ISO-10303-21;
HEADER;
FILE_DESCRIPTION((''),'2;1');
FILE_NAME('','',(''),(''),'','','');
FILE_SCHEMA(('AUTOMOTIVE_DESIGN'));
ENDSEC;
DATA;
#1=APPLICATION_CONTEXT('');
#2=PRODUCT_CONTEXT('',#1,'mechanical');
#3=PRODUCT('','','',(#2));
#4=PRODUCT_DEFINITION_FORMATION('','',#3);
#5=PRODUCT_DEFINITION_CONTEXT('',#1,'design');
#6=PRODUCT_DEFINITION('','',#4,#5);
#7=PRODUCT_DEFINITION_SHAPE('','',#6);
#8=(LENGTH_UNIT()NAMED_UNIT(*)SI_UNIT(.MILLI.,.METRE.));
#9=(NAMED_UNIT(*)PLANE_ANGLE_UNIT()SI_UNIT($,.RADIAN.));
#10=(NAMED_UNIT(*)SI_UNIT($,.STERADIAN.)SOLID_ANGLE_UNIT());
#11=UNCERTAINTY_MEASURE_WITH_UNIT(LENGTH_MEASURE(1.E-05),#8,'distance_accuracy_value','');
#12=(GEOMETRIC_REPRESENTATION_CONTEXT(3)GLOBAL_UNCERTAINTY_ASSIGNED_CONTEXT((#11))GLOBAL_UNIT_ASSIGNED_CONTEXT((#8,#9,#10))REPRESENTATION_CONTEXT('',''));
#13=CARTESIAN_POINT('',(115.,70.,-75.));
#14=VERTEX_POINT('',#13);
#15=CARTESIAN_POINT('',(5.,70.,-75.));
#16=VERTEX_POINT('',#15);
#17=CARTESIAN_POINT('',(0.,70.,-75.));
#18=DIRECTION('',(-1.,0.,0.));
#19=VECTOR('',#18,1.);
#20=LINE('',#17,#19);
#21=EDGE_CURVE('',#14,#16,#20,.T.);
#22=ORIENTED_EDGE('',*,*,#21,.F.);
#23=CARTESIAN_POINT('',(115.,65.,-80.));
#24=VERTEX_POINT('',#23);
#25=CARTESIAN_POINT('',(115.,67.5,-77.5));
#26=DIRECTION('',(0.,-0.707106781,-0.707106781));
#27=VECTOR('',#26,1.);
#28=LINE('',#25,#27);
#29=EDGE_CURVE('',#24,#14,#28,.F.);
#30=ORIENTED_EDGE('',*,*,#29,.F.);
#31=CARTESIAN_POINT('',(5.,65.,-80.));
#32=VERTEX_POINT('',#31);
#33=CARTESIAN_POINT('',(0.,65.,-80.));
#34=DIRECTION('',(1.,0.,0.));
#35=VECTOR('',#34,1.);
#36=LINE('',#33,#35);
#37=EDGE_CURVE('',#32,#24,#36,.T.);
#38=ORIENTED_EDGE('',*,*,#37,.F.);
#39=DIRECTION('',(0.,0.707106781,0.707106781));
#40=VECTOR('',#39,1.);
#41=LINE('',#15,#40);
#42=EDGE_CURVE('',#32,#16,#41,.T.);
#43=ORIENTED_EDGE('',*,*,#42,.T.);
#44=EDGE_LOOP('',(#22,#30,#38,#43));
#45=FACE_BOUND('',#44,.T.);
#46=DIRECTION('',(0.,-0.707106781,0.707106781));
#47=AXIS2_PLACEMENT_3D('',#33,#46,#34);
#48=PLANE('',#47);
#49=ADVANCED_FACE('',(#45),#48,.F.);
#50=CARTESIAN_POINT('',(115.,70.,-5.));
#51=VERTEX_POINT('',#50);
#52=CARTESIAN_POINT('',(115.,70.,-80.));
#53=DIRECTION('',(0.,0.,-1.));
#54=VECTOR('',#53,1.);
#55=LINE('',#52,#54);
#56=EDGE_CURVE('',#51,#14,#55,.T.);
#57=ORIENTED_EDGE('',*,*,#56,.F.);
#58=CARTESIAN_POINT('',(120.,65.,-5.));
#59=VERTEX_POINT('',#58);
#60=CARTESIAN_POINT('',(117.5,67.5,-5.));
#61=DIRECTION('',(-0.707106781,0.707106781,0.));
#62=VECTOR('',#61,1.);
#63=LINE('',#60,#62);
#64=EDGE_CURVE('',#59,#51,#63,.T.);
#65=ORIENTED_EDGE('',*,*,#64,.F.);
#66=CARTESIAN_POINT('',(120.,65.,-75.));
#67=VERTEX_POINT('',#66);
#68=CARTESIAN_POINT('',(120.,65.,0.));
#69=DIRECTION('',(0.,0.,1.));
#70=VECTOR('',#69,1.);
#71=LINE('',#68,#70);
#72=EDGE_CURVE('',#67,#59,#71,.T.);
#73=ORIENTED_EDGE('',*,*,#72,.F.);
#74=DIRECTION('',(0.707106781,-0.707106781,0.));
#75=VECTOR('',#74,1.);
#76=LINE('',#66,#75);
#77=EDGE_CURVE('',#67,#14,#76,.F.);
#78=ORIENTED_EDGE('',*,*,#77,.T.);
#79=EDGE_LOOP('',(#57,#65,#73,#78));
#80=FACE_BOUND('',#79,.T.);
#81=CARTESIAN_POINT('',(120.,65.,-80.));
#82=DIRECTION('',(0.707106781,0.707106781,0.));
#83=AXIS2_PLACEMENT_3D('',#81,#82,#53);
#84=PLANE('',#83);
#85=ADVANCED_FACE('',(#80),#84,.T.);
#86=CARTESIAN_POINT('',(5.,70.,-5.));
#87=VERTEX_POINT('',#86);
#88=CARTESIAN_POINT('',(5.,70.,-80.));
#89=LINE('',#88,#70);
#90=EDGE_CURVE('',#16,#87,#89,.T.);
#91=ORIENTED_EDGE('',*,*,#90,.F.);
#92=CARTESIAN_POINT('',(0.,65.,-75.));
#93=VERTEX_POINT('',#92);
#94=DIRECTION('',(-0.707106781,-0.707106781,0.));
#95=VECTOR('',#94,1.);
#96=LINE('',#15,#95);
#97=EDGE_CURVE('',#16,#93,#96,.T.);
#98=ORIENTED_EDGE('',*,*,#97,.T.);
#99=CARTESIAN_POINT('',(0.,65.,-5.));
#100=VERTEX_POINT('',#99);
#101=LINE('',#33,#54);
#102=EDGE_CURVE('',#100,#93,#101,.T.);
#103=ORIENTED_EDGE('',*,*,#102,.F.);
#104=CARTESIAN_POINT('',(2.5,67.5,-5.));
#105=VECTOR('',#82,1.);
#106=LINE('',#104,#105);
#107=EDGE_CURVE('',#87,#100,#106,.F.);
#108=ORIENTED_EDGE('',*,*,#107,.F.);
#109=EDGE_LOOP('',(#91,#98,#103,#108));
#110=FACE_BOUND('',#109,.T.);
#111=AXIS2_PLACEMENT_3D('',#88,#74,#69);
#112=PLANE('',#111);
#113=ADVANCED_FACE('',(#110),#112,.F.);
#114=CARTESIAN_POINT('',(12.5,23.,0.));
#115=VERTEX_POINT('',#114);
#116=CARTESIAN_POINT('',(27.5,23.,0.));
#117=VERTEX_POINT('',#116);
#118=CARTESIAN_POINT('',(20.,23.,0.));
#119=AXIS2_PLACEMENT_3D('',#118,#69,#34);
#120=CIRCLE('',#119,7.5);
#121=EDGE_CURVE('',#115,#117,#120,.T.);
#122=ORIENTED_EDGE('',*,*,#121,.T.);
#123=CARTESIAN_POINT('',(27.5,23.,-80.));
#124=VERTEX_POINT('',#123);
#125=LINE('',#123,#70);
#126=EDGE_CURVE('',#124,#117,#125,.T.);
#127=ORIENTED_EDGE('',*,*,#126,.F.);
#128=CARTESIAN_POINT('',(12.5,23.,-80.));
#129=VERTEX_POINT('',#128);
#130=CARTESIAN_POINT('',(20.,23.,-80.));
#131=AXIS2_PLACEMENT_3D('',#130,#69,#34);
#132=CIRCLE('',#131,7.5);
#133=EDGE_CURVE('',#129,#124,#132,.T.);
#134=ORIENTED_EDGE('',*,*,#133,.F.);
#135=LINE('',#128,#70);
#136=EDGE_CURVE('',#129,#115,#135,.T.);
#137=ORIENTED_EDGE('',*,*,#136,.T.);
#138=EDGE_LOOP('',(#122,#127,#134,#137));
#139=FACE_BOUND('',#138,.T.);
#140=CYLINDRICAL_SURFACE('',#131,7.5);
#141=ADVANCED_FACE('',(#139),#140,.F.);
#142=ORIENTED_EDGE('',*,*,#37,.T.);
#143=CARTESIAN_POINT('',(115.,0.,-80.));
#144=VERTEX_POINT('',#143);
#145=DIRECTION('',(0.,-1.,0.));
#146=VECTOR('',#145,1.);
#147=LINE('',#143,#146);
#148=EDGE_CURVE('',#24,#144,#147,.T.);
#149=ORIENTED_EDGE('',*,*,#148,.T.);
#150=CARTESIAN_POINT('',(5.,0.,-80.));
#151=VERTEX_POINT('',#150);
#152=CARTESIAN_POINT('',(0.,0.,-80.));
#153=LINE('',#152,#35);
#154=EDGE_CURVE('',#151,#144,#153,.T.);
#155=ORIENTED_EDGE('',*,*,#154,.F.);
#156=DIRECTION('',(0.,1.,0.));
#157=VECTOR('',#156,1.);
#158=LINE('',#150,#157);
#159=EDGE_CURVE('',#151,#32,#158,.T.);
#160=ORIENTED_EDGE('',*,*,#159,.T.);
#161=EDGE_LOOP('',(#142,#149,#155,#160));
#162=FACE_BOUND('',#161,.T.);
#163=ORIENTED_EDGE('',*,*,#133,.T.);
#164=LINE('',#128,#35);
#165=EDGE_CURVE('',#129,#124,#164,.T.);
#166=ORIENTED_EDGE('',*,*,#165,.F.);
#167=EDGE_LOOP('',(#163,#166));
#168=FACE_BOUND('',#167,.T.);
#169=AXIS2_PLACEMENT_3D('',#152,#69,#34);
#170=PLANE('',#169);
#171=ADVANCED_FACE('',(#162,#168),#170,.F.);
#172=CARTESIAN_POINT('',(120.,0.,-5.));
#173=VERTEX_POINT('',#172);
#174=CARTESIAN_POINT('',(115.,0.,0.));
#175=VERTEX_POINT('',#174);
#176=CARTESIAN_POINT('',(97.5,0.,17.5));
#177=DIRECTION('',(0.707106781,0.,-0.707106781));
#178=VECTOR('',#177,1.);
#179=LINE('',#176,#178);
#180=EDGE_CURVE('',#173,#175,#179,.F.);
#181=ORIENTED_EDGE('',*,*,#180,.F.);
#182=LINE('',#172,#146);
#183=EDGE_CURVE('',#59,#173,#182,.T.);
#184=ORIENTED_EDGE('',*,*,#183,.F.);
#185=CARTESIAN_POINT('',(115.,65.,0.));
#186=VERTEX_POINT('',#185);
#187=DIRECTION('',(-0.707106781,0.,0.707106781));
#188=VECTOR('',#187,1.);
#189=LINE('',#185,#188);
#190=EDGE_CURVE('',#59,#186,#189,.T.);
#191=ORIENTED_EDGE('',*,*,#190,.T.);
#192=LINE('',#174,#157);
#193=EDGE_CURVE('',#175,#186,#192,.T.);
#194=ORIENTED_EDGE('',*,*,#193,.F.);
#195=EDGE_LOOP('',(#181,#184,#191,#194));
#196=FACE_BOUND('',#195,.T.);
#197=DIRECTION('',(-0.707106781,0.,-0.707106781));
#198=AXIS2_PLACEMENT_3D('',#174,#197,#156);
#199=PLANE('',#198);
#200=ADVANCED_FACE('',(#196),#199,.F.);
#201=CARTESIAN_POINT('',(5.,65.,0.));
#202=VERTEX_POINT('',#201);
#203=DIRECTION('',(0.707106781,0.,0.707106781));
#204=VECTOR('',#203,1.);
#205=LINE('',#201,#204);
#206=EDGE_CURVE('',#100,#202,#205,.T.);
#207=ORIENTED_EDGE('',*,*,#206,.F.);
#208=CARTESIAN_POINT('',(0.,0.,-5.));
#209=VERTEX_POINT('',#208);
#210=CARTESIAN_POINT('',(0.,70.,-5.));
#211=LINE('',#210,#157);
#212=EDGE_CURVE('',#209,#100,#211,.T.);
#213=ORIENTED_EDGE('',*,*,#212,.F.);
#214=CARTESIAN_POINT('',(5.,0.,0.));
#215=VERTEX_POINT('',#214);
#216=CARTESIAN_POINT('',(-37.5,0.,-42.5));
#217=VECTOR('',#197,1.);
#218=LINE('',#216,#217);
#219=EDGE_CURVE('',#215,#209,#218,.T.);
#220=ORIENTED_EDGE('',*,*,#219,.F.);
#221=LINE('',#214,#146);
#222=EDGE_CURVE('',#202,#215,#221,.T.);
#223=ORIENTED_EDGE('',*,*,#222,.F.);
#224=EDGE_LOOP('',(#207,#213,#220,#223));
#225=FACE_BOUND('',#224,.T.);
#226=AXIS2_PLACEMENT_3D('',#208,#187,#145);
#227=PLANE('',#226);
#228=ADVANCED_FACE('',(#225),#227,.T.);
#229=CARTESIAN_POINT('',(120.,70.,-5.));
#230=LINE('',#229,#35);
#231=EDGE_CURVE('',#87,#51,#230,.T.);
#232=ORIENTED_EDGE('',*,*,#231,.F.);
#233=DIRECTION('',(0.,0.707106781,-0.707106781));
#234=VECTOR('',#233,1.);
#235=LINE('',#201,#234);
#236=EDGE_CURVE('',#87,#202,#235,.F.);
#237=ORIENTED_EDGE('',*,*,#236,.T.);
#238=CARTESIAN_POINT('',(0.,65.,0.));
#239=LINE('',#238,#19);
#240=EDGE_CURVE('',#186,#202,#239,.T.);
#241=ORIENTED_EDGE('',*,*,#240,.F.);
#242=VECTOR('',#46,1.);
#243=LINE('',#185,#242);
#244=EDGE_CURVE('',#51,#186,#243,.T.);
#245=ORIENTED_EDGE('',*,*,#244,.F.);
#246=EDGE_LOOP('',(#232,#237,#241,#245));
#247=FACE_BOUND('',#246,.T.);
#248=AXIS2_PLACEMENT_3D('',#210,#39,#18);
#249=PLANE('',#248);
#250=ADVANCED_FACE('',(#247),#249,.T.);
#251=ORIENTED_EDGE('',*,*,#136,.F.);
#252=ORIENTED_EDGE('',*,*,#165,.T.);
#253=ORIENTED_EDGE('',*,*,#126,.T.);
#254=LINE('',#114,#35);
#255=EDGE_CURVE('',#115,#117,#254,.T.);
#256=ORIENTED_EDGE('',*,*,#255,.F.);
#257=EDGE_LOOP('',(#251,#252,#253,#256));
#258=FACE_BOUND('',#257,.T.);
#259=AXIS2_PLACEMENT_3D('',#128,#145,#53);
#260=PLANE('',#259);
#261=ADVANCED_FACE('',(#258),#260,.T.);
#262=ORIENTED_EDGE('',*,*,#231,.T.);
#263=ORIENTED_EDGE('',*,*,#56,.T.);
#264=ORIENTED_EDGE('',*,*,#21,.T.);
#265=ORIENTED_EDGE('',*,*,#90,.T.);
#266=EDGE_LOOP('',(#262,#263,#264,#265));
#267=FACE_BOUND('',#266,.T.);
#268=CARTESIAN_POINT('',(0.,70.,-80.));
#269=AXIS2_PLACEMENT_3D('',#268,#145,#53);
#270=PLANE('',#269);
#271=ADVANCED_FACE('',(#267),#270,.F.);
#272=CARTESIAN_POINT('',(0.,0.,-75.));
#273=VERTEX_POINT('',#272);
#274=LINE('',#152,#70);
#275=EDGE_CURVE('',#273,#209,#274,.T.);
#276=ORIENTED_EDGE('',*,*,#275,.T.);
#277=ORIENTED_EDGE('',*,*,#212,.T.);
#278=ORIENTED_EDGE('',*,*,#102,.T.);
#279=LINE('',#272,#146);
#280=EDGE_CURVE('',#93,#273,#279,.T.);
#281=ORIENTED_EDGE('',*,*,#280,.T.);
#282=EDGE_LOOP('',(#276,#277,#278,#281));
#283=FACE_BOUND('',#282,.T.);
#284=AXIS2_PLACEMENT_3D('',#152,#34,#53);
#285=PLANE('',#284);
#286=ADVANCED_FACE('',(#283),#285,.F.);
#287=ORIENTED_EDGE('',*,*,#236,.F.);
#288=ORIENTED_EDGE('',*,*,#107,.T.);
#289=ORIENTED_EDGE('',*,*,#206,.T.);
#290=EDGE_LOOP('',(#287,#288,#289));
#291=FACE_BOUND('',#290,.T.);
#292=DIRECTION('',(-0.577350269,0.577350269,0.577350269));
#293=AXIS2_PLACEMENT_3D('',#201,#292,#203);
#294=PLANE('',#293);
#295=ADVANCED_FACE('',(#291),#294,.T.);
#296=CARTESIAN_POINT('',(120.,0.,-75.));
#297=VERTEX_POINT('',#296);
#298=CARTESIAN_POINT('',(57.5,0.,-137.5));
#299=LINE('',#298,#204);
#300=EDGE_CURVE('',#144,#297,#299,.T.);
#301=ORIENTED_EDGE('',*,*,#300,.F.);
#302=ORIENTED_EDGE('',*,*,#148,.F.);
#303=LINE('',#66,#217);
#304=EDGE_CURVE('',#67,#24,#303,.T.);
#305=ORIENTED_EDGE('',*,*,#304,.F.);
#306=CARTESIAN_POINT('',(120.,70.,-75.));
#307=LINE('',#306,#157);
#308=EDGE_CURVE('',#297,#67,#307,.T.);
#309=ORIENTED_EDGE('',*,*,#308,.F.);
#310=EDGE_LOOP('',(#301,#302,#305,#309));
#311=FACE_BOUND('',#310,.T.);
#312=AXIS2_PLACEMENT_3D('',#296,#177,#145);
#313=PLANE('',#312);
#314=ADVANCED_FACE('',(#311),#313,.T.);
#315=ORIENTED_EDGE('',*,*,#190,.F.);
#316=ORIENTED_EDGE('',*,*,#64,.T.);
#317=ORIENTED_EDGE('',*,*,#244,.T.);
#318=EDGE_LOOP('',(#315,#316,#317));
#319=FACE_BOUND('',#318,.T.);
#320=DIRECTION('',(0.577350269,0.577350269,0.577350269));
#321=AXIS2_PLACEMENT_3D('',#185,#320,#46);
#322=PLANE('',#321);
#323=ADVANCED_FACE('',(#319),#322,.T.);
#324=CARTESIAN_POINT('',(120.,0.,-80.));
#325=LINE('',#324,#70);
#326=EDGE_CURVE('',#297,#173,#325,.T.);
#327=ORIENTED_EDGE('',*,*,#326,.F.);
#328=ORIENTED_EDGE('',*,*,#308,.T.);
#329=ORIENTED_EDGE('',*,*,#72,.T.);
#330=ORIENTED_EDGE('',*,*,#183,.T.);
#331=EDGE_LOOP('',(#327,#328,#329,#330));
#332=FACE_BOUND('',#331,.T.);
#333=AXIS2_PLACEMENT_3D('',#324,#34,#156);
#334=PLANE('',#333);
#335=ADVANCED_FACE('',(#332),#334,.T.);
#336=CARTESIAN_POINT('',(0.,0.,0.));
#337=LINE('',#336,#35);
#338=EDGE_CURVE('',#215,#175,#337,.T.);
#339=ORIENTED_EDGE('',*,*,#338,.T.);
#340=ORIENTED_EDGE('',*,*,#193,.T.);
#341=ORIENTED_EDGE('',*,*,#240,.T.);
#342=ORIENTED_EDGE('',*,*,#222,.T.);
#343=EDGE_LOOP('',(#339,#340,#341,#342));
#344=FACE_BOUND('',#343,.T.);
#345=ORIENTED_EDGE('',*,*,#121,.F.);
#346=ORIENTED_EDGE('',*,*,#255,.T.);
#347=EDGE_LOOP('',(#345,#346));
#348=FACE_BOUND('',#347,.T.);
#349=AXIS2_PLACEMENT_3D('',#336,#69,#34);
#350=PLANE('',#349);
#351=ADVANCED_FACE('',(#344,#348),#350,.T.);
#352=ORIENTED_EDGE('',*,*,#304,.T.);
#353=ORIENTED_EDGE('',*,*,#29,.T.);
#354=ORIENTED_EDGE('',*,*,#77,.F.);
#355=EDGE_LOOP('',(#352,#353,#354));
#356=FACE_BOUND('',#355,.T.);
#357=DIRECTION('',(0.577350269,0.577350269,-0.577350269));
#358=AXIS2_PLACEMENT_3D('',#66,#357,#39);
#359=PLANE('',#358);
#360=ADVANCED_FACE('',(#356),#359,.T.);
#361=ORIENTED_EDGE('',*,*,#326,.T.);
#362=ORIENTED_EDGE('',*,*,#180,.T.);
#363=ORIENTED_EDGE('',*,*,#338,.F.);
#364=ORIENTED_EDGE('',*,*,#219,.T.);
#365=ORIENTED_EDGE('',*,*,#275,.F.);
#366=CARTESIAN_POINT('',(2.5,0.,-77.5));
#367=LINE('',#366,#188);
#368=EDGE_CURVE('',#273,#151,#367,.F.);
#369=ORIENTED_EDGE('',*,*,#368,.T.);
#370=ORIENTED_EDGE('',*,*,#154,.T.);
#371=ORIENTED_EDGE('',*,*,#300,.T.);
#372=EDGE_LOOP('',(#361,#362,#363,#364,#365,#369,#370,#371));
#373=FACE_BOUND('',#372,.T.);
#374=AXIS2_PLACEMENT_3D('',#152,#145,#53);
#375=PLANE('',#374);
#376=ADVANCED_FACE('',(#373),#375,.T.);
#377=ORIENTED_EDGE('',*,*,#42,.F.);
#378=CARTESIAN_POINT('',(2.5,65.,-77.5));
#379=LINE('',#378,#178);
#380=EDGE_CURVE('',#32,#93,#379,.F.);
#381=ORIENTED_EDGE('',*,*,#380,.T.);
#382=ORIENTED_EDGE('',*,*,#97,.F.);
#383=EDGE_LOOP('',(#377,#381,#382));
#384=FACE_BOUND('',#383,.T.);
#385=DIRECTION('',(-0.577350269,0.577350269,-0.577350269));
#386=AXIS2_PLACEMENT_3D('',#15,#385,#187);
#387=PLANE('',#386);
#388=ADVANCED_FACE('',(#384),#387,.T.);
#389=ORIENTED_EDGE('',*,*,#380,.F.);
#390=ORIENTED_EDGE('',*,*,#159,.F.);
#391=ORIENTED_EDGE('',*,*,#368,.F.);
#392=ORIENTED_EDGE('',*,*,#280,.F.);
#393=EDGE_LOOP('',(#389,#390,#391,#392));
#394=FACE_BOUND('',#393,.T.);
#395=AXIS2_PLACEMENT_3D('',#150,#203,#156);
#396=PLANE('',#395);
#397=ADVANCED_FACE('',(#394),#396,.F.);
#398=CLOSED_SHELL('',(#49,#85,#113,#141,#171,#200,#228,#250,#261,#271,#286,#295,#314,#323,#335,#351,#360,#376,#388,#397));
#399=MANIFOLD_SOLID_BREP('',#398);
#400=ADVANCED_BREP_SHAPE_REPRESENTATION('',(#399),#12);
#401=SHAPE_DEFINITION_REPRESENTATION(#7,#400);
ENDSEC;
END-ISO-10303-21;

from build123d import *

# Parameters (mm, degrees)
SKETCH1_W           = 120
SKETCH1_H           = 70
BOSS_EXTRUDE3_DEPTH = 80
CHAMFER2_SIZE       = 5
CUT_EXTRUDE1_DEPTH  = 161.312195419


with BuildPart() as part:
    # Sketch1 → Boss-Extrude3 (new body)
    with BuildSketch(Plane.XY):
        with Locations((60, 35)):
            Rectangle(SKETCH1_W, SKETCH1_H)
    extrude(amount=-BOSS_EXTRUDE3_DEPTH)

    # Chamfer2
    chamfer2_edges = [part.edges().sort_by_distance(p)[0] for p in [
        (60, 70, -80),
        (0, 35, -80),
        (0, 35, 0),
        (60, 70, 0),
        (120, 35, 0),
        (0, 70, -40),
        (120, 70, -40),
        (120, 35, -80),
    ]]
    chamfer(chamfer2_edges, length=CHAMFER2_SIZE)

    # Sketch5 → Cut-Extrude1 (cut, through all)
    with BuildSketch(Plane.XY):
        with BuildLine():
            Line((12.5, 23), (27.5, 23))
            ThreePointArc((27.5, 23), (20, 15.5), (12.5, 23))
        make_face()
    extrude(amount=-CUT_EXTRUDE1_DEPTH, mode=Mode.SUBTRACT)


solid = part.part
